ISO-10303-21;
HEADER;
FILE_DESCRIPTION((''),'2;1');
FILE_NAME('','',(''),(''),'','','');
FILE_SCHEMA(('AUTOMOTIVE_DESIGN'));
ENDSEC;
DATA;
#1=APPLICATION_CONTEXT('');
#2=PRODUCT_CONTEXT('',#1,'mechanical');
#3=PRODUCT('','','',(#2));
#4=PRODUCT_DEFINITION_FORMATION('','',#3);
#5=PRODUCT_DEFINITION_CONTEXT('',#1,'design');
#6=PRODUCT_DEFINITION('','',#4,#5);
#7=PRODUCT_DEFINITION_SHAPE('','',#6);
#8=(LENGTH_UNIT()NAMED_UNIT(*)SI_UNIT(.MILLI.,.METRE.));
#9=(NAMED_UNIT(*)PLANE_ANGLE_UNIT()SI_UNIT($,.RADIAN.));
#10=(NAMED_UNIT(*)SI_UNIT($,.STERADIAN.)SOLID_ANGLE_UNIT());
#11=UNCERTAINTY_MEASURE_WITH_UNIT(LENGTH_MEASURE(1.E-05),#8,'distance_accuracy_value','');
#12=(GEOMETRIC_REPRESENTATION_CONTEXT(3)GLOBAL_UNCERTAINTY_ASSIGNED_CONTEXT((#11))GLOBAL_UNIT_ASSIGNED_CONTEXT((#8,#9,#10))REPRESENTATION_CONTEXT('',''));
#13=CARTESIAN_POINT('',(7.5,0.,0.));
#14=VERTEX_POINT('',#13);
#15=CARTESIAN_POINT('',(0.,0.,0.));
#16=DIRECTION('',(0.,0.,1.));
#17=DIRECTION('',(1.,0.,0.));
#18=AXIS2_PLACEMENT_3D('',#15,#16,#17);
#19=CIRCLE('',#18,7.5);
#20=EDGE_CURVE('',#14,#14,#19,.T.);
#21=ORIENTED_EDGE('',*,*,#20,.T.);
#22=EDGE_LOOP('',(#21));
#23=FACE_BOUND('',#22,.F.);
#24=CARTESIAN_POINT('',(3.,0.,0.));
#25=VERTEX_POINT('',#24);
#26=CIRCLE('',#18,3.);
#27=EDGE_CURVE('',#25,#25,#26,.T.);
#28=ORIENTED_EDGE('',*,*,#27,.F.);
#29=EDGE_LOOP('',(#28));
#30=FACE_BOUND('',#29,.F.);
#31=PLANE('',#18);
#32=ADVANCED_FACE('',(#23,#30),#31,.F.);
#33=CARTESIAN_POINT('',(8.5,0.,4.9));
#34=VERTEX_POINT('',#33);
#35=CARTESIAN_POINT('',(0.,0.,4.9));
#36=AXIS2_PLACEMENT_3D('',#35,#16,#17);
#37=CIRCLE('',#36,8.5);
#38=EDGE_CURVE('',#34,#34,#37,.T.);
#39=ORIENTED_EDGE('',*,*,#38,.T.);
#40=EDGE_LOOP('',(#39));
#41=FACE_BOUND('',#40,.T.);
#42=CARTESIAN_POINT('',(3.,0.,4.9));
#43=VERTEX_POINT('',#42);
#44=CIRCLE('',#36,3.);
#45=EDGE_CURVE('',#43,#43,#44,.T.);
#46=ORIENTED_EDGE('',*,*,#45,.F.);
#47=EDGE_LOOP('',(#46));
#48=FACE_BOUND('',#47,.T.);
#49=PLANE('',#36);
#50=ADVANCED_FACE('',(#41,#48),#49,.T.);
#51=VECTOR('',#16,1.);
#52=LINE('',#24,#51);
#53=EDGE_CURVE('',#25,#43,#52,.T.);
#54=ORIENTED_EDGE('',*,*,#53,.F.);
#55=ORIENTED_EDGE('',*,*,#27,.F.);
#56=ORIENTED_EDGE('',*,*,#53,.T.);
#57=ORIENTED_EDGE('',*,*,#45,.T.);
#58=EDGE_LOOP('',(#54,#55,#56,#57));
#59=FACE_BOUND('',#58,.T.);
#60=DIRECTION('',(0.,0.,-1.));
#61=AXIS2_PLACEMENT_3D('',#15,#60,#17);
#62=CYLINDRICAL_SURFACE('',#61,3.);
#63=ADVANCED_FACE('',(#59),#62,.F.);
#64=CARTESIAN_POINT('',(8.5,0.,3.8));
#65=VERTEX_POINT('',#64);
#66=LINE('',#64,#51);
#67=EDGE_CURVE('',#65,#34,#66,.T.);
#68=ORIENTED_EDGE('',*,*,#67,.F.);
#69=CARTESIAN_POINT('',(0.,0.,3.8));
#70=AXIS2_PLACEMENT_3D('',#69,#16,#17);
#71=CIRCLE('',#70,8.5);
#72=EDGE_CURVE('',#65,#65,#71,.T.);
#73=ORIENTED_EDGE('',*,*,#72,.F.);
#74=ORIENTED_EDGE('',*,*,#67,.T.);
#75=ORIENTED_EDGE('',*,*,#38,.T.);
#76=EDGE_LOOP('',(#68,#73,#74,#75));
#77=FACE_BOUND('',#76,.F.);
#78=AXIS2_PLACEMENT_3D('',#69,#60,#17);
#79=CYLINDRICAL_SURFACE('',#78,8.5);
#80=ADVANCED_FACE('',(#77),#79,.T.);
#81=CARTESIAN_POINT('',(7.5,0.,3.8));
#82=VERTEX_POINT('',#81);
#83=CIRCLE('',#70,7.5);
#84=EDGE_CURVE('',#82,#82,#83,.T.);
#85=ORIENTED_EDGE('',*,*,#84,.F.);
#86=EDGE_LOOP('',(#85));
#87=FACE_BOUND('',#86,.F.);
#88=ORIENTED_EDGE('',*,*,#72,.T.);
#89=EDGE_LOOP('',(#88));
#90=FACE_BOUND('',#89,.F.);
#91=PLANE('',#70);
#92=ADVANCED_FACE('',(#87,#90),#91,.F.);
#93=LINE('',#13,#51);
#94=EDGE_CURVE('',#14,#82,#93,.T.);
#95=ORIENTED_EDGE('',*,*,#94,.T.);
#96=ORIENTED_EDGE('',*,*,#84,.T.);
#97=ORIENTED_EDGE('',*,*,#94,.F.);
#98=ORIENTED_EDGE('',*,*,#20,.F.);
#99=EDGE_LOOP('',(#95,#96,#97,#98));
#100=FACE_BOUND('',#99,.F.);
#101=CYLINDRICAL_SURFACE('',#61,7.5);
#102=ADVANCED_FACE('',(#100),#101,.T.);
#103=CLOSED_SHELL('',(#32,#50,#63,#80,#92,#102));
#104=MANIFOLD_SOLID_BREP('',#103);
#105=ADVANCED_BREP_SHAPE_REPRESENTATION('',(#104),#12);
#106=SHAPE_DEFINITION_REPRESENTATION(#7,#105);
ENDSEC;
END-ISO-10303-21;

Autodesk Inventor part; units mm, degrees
ref_plane "YZ Plane" through (0, 0, 0) normal (1, 0, 0) x (0, 1, 0)
ref_plane "XZ Plane" through (0, 0, 0) normal (0, 1, 0) x (-1, 0, 0)
ref_plane "XY Plane" through (0, 0, 0) normal (0, 0, 1) x (1, 0, 0)
sketch "スケッチ1" plane through (0, 0, 0) normal (0, 0, 1) x (1, 0, 0)
  circle A0 centre (0, 0) radius 3
  circle A1 centre (0, 0) radius 7.5
  dimension "d0" = 6
  dimension "d1" = 15
extrude "押し出し1" add sketch "スケッチ1" along normal blind 3.8
sketch "スケッチ2" plane through (0, 0, 3.8) normal (0, 0, 1) x (1, 0, 0)
  circle A0 centre (0, 0) radius 8.5
  circle A1 centre (0, 0) radius 3
  dimension "d4" = 17
  dimension "d5" = 6
extrude "押し出し2" add sketch "スケッチ2" along normal blind 1.1
properties part number "ベアリング 6.15" material "ステンレス鋼"
